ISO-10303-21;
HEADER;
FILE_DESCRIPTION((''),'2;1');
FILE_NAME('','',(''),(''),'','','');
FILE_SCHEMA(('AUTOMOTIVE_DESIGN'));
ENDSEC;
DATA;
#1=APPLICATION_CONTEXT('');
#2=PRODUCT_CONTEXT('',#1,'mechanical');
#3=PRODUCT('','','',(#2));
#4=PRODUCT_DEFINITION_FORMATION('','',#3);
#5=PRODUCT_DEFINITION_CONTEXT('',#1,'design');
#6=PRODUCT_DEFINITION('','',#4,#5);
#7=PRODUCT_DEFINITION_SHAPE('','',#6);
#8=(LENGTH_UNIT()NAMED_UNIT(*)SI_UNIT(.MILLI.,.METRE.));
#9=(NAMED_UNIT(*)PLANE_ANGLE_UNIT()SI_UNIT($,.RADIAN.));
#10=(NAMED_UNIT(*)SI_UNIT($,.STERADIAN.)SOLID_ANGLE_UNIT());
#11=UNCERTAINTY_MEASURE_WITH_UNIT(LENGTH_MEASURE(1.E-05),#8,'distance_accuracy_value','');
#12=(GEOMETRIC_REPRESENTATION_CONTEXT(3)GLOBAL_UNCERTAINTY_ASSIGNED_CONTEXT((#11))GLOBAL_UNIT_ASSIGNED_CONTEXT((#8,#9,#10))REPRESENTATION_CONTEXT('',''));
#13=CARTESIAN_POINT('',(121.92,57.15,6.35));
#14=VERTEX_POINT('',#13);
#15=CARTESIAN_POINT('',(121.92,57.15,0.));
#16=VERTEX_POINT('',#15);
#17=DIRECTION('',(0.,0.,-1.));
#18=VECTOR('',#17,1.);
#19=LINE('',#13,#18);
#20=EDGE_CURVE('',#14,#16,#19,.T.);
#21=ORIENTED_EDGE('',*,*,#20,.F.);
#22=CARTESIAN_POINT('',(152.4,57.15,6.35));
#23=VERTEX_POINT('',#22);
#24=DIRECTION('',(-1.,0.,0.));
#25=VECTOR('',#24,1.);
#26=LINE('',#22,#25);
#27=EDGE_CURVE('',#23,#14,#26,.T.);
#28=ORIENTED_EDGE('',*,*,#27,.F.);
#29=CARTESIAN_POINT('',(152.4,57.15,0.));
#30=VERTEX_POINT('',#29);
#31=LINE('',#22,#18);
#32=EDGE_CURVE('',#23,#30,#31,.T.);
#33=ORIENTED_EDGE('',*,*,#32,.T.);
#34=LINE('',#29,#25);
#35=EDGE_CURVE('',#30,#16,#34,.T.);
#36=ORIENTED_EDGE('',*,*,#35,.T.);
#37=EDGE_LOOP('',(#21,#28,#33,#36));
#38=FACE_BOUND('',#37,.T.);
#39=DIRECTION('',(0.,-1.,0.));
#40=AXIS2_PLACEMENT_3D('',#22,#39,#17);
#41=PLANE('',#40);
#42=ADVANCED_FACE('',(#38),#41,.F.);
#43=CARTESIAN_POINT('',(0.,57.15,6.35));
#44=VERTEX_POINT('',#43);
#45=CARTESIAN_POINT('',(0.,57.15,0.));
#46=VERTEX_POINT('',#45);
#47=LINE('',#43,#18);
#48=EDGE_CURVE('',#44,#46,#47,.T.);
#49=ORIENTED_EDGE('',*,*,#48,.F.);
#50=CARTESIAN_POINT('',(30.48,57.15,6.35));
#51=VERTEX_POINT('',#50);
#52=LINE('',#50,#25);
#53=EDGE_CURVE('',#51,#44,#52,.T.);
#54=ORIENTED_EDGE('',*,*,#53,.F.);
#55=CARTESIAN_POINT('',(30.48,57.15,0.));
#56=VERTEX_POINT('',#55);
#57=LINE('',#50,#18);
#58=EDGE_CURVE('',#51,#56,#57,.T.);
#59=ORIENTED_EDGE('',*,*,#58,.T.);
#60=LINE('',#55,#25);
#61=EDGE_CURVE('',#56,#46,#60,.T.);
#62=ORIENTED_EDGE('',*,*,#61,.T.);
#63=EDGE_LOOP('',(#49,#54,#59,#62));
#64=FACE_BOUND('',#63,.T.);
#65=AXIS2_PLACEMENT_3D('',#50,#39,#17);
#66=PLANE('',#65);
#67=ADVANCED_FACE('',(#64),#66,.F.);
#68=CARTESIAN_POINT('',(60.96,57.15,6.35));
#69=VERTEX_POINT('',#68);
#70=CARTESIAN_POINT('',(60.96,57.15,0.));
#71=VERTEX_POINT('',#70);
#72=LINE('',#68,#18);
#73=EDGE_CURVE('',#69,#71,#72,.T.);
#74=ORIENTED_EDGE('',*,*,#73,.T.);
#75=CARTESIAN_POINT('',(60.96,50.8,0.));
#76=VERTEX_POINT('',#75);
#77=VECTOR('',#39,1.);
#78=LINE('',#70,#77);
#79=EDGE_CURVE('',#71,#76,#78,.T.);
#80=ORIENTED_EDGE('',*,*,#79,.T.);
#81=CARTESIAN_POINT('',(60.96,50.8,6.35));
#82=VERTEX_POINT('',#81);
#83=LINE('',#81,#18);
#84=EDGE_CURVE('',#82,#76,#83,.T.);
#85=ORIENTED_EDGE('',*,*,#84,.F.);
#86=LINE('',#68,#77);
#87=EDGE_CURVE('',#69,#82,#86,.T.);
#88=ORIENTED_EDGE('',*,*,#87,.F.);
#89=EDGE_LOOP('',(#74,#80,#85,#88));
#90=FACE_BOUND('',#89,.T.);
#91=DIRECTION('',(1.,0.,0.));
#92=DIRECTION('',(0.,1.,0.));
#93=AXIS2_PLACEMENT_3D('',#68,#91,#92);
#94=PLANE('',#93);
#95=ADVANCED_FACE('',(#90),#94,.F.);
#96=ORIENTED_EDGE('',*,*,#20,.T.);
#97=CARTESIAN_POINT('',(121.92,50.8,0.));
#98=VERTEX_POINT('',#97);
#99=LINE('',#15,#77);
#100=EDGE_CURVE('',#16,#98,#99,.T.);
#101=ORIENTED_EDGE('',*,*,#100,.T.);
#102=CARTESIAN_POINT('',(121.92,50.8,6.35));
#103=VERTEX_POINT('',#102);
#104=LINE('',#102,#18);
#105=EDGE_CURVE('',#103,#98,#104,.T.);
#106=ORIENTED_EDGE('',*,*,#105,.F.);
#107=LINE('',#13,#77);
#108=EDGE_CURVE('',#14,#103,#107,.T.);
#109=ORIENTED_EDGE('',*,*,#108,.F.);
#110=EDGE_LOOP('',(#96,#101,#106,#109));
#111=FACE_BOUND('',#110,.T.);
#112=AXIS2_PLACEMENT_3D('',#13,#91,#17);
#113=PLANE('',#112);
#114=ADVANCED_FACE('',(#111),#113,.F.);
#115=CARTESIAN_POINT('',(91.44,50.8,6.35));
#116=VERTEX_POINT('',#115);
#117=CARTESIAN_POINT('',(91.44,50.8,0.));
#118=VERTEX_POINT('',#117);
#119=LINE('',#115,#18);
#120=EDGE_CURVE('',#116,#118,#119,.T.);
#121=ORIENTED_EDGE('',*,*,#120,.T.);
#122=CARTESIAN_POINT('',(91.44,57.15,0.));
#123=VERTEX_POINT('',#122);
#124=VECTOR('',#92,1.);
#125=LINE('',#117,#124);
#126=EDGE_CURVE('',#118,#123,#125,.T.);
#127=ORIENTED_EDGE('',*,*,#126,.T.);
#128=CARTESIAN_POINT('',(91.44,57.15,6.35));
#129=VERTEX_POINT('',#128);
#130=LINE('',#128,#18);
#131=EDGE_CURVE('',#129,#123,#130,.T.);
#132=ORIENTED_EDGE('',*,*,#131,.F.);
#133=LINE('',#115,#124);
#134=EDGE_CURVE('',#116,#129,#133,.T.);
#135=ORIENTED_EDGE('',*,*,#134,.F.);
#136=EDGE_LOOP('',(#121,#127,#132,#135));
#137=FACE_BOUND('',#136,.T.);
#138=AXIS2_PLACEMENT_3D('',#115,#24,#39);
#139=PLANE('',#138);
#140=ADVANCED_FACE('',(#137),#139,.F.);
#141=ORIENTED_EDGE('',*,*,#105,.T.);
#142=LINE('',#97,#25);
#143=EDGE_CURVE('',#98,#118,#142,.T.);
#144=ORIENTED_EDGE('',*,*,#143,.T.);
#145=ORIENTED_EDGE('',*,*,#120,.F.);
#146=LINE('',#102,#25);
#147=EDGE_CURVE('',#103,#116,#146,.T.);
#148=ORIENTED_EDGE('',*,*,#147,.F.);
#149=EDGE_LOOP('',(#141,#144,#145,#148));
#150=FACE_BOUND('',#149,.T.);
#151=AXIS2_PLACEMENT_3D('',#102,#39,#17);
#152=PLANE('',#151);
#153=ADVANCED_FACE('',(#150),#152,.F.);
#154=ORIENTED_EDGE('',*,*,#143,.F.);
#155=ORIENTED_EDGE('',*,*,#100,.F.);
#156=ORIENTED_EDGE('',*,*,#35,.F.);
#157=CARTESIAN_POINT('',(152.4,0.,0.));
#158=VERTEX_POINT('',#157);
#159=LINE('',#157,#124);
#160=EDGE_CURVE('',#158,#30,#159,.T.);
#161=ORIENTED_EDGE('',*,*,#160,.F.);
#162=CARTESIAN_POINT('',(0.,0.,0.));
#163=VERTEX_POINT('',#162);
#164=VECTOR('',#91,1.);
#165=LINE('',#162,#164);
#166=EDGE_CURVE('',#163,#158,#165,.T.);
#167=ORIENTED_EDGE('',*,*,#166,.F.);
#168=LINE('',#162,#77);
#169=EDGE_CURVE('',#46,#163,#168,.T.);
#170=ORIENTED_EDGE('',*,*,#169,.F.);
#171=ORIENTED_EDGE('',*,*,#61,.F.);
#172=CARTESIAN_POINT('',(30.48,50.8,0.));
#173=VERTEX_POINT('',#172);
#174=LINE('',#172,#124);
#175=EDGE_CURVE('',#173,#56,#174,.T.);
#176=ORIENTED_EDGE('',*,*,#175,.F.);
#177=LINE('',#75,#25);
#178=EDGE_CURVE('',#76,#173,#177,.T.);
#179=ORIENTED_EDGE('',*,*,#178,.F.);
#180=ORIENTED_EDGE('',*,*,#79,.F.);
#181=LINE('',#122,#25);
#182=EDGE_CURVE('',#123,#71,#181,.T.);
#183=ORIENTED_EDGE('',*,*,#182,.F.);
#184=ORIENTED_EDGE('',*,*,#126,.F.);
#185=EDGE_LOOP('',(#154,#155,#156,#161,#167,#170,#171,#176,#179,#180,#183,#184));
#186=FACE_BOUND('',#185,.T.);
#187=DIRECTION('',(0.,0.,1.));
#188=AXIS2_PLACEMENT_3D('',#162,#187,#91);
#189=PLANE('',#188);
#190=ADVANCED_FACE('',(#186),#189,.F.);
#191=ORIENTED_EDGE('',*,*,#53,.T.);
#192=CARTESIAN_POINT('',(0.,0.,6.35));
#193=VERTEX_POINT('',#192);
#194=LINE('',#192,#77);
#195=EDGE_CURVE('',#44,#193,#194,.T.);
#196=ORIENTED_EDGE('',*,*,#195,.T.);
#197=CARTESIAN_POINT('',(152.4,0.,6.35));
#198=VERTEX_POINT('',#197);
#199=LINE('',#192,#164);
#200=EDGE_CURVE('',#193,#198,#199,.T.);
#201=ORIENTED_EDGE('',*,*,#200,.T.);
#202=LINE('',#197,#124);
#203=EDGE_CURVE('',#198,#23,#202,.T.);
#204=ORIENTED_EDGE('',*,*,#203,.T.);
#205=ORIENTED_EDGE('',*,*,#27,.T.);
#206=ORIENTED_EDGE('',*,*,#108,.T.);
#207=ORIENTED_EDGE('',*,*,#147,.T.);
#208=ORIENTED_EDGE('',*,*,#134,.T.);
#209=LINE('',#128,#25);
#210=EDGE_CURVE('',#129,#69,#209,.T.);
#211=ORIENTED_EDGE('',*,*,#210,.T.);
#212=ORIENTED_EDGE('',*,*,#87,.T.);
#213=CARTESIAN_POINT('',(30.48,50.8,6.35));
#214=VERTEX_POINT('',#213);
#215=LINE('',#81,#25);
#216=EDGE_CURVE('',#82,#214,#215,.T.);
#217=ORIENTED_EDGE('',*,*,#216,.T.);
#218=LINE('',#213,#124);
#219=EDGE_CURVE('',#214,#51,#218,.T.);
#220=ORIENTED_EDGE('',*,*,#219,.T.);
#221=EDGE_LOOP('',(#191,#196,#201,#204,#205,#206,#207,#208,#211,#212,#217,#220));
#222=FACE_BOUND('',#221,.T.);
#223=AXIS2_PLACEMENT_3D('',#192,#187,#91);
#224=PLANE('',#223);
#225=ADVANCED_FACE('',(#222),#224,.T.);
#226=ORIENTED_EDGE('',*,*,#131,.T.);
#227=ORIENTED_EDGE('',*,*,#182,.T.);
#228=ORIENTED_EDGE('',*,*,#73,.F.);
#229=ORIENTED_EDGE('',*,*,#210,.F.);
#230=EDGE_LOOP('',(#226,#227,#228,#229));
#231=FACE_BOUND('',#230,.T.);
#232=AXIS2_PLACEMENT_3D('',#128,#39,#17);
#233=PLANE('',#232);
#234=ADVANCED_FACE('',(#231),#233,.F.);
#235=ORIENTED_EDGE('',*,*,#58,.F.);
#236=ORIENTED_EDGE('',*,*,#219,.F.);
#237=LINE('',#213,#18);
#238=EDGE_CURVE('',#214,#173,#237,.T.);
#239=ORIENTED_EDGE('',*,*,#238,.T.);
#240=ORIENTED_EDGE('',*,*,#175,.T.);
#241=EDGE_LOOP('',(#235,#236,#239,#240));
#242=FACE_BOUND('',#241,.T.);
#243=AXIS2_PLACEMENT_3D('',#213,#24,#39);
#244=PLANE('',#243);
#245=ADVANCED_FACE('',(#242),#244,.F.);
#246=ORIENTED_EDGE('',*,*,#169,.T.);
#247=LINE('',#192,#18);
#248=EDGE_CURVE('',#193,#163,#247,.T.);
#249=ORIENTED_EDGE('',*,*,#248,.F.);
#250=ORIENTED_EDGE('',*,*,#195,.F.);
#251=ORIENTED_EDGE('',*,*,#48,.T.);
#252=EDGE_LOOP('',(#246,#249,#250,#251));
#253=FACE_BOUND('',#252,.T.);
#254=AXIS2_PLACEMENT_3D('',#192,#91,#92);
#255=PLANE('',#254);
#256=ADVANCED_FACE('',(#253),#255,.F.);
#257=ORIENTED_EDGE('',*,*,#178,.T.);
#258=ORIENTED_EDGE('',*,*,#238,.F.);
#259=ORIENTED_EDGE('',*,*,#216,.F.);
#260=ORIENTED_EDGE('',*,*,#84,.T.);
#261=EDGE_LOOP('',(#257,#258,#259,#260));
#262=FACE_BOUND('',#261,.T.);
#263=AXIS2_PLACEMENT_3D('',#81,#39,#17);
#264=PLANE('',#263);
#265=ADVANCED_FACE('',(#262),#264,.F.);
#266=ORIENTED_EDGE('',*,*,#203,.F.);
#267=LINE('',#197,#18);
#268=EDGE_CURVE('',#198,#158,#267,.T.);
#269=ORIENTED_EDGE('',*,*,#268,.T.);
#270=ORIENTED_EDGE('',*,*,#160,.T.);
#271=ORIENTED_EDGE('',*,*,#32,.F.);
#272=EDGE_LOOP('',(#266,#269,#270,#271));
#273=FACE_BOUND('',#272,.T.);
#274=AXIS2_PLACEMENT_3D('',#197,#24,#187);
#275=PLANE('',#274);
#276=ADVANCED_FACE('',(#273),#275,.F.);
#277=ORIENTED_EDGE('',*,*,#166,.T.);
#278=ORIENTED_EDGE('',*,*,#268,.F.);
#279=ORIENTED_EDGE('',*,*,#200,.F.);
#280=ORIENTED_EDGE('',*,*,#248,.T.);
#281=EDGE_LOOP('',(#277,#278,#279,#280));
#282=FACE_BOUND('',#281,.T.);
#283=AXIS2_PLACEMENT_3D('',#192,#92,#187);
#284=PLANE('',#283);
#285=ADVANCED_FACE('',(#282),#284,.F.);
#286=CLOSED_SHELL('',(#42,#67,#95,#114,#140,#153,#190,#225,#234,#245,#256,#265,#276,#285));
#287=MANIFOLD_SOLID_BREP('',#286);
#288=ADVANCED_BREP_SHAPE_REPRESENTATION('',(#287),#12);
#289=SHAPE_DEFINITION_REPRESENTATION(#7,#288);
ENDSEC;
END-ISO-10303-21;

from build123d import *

# Parameters (mm, degrees)
BOSS_EXTRUDE1_DEPTH = 6.35


with BuildPart() as part:
    # Sketch2 → Boss-Extrude1 (new body)
    with BuildSketch(Plane.XY):
        Polygon((0, 0), (152.4, 0), (152.4, 57.15), (121.92, 57.15), (121.92, 50.8), (91.44, 50.8), (91.44, 57.15), (60.96, 57.15), (60.96, 50.8), (30.48, 50.8), (30.48, 57.15), (0, 57.15), align=None)
    extrude(amount=BOSS_EXTRUDE1_DEPTH)


solid = part.part
